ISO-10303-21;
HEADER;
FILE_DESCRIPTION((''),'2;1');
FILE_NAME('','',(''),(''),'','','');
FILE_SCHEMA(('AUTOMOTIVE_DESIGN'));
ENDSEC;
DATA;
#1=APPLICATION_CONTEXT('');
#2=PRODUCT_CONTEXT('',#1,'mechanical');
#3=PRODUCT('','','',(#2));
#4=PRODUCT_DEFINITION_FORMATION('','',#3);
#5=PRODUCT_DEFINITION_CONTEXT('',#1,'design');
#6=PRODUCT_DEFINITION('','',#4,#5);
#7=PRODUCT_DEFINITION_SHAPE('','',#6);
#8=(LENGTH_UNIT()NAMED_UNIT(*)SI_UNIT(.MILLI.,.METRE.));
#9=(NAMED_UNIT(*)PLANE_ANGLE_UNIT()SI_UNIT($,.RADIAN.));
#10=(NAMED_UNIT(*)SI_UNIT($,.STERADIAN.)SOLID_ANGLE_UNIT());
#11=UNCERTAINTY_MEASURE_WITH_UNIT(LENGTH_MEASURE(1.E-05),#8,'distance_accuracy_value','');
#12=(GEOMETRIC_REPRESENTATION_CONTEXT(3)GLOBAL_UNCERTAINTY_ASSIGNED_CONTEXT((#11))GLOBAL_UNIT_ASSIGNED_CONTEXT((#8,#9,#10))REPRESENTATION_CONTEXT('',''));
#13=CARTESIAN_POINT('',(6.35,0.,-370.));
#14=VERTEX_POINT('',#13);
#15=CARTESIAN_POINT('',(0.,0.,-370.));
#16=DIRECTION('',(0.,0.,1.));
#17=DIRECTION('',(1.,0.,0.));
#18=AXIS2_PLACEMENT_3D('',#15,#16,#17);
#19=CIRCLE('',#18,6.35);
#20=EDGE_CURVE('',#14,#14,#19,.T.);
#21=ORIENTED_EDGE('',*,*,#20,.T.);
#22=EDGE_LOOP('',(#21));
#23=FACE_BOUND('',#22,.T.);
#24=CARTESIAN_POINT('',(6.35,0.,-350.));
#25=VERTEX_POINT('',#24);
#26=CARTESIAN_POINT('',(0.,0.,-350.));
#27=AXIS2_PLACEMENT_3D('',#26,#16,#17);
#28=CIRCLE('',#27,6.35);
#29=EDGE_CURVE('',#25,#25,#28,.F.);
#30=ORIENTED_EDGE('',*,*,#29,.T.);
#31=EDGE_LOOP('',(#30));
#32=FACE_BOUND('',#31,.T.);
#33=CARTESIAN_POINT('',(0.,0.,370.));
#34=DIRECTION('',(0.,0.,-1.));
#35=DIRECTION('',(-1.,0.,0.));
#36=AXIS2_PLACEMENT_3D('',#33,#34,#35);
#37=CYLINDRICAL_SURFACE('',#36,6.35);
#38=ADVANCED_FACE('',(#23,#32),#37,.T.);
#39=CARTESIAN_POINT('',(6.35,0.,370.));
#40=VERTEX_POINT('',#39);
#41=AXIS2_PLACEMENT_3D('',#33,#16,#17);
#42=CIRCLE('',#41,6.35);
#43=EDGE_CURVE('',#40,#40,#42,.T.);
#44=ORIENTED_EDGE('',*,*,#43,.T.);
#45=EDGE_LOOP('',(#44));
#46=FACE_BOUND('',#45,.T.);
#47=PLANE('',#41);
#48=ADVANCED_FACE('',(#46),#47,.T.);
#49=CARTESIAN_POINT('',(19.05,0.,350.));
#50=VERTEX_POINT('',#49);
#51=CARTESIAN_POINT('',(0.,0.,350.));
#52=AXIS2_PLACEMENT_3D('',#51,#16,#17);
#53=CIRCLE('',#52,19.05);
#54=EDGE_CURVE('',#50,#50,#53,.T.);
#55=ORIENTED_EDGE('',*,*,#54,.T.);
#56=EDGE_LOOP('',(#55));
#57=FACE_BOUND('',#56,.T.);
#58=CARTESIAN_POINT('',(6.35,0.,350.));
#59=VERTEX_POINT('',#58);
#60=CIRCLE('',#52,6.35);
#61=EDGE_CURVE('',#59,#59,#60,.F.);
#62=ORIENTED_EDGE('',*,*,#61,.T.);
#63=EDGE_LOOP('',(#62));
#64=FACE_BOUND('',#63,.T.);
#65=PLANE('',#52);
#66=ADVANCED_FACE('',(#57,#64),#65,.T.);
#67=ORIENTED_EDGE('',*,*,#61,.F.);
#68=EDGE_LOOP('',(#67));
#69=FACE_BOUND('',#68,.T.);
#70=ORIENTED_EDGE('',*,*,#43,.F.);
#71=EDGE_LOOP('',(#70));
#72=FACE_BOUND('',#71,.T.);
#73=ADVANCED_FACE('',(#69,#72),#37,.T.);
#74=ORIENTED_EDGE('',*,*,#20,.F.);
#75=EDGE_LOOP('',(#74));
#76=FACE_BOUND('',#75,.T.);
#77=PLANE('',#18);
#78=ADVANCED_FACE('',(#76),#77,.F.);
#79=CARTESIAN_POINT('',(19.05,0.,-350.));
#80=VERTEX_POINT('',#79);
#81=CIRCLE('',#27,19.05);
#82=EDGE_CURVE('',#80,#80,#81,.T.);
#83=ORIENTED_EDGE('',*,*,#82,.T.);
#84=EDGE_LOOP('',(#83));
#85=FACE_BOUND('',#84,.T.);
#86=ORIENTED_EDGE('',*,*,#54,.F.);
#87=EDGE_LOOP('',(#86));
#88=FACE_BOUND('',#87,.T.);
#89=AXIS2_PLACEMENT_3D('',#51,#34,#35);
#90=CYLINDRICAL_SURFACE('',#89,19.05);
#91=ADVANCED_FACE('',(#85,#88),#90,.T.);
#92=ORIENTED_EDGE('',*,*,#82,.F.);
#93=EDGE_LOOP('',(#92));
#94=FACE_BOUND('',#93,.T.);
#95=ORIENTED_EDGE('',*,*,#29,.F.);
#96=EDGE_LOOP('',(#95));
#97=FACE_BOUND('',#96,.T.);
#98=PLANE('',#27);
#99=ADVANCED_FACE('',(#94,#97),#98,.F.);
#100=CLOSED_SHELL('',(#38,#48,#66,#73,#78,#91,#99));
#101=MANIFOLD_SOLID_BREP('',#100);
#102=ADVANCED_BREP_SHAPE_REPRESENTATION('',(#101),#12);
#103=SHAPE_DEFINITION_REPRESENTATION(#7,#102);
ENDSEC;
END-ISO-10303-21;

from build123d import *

# Parameters (mm, degrees)
SKETCH1_R           = 19.05
BOSS_EXTRUDE1_DEPTH = 350
SKETCH2_R           = 6.35
BOSS_EXTRUDE2_DEPTH = 370


with BuildPart() as part:
    # Sketch1 → Boss-Extrude1 (new, symmetric)
    with BuildSketch(Plane.XY):
        Circle(SKETCH1_R)
    extrude(amount=BOSS_EXTRUDE1_DEPTH, both=True)

    # Sketch2 → Boss-Extrude2 (add, symmetric)
    with BuildSketch(Plane.XY):
        Circle(SKETCH2_R)
    extrude(amount=BOSS_EXTRUDE2_DEPTH, both=True)


solid = part.part
